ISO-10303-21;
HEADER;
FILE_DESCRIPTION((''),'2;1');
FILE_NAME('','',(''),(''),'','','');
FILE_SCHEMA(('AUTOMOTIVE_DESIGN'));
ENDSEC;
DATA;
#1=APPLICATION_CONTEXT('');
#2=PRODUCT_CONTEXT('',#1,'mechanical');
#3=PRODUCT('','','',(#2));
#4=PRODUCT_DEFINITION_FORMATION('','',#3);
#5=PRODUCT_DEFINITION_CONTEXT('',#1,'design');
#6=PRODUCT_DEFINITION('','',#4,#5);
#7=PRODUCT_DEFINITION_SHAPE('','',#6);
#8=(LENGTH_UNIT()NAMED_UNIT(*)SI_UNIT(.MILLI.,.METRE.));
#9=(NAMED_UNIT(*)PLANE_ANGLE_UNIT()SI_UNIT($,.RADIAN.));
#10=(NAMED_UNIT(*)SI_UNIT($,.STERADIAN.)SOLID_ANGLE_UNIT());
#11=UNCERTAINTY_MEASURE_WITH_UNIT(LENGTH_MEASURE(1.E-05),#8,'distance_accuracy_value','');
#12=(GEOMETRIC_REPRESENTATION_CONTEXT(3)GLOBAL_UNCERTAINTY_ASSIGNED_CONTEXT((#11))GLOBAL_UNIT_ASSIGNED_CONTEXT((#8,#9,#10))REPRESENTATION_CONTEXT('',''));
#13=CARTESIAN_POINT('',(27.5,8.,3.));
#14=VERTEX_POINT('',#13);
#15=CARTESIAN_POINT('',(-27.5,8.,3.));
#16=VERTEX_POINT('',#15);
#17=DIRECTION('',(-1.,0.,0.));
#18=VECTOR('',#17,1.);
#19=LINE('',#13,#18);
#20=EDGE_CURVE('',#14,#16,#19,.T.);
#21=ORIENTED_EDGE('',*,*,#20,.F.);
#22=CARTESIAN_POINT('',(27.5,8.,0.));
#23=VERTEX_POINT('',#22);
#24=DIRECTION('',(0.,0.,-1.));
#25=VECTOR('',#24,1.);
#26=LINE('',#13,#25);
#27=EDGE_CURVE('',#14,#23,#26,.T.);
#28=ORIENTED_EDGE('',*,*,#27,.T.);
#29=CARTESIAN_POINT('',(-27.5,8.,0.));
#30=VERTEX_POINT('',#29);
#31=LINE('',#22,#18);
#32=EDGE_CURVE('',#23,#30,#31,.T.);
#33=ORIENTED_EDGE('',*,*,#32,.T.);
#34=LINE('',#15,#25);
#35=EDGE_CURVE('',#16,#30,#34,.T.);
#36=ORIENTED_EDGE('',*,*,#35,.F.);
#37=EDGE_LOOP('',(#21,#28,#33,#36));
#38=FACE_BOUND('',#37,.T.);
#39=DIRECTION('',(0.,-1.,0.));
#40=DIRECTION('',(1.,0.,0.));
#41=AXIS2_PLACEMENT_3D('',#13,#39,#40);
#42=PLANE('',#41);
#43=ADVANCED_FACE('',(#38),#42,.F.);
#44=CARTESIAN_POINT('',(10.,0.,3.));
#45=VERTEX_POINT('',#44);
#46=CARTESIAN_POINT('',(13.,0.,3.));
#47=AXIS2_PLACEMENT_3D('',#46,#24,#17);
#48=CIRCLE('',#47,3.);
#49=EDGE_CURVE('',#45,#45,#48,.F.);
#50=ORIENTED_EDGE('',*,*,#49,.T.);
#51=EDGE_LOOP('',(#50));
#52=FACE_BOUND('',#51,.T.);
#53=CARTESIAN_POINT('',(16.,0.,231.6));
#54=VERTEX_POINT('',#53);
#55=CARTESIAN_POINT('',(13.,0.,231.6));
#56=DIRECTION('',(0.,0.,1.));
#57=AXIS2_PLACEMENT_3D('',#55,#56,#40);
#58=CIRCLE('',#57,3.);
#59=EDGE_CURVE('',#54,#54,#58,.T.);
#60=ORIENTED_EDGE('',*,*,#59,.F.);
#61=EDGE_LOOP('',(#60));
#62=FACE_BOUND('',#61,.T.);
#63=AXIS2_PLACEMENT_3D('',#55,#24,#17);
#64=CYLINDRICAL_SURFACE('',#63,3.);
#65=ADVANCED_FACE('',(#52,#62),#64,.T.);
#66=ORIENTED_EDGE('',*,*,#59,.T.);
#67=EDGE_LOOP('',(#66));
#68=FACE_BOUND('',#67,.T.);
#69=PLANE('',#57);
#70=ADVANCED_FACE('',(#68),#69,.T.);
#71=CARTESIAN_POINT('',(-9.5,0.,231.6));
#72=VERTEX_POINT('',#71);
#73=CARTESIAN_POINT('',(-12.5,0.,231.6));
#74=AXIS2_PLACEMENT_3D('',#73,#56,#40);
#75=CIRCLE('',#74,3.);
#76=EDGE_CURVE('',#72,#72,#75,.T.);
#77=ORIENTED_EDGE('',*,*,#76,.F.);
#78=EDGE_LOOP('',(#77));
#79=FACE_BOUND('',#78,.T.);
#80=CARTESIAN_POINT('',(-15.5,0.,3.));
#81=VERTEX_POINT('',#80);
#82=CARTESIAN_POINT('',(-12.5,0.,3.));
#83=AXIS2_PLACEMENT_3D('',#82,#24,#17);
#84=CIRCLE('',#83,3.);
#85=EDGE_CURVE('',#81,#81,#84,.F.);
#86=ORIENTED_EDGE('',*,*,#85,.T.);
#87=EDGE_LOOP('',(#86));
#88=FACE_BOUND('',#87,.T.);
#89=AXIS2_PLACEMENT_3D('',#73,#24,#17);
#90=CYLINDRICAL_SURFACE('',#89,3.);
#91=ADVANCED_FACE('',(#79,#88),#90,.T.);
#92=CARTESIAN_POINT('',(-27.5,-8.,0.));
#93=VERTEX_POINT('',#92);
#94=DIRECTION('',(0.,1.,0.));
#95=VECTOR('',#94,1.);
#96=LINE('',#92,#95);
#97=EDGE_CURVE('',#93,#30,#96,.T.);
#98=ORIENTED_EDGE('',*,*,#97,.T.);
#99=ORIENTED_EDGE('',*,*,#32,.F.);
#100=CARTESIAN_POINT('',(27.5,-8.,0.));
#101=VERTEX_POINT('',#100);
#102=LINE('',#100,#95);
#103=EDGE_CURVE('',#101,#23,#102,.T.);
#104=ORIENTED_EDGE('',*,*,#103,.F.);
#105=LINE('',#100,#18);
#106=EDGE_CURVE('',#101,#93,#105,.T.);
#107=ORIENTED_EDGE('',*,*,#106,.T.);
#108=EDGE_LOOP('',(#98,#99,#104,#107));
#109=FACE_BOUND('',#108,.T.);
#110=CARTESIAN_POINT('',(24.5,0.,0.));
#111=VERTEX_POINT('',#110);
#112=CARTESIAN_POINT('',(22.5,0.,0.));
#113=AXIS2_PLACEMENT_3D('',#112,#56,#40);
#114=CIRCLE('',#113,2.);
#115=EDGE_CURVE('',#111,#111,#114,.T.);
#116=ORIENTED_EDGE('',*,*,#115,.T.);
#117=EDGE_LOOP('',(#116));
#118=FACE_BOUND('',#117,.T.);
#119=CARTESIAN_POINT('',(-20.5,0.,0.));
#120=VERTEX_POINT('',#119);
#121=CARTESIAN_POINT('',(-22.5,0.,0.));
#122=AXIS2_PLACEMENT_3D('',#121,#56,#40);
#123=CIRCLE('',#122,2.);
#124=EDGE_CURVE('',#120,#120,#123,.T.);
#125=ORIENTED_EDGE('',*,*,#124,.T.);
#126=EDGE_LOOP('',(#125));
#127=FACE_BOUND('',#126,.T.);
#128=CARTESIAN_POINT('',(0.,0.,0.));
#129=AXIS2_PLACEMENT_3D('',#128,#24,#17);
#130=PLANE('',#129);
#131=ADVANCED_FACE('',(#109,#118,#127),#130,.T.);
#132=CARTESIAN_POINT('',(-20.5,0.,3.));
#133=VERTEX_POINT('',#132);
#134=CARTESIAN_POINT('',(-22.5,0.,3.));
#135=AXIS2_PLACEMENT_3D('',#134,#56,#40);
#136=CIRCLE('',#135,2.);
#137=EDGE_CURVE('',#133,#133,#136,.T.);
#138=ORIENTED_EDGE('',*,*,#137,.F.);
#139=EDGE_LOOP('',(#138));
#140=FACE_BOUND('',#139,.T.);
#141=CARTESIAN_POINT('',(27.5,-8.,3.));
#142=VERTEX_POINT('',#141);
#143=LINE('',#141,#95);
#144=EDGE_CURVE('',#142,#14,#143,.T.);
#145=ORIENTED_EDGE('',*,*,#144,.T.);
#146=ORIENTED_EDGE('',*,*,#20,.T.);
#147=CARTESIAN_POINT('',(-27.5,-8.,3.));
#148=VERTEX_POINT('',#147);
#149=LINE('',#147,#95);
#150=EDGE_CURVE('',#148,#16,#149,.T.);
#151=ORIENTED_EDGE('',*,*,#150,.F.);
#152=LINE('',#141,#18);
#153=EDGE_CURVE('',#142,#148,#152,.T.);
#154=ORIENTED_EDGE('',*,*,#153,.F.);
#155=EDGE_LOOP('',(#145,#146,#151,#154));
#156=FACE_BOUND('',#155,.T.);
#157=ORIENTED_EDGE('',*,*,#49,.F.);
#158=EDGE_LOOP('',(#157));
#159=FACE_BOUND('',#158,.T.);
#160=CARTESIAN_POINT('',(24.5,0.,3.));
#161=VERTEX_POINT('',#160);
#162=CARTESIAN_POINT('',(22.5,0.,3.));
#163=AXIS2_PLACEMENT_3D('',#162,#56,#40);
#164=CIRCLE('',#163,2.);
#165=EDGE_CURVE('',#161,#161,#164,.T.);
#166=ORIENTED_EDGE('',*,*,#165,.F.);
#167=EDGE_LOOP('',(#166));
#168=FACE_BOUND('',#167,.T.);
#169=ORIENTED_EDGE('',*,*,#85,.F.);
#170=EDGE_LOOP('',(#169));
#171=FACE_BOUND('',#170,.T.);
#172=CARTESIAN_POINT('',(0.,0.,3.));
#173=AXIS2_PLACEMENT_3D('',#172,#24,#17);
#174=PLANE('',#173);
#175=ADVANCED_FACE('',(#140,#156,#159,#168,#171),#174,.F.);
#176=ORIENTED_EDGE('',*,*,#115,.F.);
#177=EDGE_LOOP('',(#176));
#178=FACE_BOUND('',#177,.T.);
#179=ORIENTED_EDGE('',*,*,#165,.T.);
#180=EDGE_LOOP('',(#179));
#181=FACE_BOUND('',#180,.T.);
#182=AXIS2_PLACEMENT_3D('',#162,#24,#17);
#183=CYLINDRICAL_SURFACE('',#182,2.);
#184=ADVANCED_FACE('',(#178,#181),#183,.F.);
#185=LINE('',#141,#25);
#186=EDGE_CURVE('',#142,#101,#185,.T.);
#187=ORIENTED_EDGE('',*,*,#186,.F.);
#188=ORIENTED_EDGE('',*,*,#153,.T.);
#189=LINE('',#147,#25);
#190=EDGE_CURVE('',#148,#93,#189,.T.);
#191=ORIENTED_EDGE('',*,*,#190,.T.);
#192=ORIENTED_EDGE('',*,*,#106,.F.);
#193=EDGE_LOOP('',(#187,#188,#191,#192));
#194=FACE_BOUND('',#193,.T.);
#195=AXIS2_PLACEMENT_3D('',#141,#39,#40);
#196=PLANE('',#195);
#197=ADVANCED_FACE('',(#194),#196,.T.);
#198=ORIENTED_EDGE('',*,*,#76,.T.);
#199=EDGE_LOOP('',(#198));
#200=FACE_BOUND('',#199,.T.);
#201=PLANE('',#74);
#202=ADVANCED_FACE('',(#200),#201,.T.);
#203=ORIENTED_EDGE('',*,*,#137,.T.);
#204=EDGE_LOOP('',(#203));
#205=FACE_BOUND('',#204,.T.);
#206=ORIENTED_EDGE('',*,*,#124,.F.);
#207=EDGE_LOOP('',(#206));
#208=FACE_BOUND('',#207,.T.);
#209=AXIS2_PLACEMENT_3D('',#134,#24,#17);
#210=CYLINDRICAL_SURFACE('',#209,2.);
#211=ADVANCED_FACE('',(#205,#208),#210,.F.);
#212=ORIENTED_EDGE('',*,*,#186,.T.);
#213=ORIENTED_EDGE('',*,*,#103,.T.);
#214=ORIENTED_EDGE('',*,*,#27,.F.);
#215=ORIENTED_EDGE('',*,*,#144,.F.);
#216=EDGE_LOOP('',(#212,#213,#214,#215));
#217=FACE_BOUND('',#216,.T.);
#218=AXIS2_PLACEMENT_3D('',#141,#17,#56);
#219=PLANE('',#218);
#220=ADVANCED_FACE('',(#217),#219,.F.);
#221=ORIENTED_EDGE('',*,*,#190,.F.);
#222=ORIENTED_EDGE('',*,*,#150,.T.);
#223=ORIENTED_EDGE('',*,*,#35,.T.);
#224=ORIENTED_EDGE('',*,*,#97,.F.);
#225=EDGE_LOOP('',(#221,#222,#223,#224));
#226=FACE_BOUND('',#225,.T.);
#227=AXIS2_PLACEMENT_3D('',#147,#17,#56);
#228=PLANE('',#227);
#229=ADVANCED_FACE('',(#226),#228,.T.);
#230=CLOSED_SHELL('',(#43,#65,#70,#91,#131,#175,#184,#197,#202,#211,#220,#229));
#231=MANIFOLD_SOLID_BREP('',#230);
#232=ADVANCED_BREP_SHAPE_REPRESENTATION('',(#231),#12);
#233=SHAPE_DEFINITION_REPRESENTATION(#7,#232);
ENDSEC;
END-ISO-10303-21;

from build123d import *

# Parameters (mm, degrees)
SKETCH1_W           = 55
SKETCH1_H           = 16
SKETCH1_R           = 2
BOSS_EXTRUDE1_DEPTH = 3
SKETCH3_R           = 3
BOSS_EXTRUDE2_DEPTH = 228.6


with BuildPart() as part:
    # Sketch1 → Boss-Extrude1 (new body)
    with BuildSketch(Plane.XY):
        Rectangle(SKETCH1_W, SKETCH1_H)
        with Locations((-22.5, 0)):
            Circle(SKETCH1_R, mode=Mode.SUBTRACT)
        with Locations((22.5, 0)):
            Circle(SKETCH1_R, mode=Mode.SUBTRACT)
    extrude(amount=BOSS_EXTRUDE1_DEPTH)

    # Sketch3 → Boss-Extrude2 (add)
    with BuildSketch(Plane.XY.offset(3)):
        with Locations((-12.5, 0)):
            Circle(SKETCH3_R)
        with Locations((13, 0)):
            Circle(SKETCH3_R)
    extrude(amount=BOSS_EXTRUDE2_DEPTH)


solid = part.part
